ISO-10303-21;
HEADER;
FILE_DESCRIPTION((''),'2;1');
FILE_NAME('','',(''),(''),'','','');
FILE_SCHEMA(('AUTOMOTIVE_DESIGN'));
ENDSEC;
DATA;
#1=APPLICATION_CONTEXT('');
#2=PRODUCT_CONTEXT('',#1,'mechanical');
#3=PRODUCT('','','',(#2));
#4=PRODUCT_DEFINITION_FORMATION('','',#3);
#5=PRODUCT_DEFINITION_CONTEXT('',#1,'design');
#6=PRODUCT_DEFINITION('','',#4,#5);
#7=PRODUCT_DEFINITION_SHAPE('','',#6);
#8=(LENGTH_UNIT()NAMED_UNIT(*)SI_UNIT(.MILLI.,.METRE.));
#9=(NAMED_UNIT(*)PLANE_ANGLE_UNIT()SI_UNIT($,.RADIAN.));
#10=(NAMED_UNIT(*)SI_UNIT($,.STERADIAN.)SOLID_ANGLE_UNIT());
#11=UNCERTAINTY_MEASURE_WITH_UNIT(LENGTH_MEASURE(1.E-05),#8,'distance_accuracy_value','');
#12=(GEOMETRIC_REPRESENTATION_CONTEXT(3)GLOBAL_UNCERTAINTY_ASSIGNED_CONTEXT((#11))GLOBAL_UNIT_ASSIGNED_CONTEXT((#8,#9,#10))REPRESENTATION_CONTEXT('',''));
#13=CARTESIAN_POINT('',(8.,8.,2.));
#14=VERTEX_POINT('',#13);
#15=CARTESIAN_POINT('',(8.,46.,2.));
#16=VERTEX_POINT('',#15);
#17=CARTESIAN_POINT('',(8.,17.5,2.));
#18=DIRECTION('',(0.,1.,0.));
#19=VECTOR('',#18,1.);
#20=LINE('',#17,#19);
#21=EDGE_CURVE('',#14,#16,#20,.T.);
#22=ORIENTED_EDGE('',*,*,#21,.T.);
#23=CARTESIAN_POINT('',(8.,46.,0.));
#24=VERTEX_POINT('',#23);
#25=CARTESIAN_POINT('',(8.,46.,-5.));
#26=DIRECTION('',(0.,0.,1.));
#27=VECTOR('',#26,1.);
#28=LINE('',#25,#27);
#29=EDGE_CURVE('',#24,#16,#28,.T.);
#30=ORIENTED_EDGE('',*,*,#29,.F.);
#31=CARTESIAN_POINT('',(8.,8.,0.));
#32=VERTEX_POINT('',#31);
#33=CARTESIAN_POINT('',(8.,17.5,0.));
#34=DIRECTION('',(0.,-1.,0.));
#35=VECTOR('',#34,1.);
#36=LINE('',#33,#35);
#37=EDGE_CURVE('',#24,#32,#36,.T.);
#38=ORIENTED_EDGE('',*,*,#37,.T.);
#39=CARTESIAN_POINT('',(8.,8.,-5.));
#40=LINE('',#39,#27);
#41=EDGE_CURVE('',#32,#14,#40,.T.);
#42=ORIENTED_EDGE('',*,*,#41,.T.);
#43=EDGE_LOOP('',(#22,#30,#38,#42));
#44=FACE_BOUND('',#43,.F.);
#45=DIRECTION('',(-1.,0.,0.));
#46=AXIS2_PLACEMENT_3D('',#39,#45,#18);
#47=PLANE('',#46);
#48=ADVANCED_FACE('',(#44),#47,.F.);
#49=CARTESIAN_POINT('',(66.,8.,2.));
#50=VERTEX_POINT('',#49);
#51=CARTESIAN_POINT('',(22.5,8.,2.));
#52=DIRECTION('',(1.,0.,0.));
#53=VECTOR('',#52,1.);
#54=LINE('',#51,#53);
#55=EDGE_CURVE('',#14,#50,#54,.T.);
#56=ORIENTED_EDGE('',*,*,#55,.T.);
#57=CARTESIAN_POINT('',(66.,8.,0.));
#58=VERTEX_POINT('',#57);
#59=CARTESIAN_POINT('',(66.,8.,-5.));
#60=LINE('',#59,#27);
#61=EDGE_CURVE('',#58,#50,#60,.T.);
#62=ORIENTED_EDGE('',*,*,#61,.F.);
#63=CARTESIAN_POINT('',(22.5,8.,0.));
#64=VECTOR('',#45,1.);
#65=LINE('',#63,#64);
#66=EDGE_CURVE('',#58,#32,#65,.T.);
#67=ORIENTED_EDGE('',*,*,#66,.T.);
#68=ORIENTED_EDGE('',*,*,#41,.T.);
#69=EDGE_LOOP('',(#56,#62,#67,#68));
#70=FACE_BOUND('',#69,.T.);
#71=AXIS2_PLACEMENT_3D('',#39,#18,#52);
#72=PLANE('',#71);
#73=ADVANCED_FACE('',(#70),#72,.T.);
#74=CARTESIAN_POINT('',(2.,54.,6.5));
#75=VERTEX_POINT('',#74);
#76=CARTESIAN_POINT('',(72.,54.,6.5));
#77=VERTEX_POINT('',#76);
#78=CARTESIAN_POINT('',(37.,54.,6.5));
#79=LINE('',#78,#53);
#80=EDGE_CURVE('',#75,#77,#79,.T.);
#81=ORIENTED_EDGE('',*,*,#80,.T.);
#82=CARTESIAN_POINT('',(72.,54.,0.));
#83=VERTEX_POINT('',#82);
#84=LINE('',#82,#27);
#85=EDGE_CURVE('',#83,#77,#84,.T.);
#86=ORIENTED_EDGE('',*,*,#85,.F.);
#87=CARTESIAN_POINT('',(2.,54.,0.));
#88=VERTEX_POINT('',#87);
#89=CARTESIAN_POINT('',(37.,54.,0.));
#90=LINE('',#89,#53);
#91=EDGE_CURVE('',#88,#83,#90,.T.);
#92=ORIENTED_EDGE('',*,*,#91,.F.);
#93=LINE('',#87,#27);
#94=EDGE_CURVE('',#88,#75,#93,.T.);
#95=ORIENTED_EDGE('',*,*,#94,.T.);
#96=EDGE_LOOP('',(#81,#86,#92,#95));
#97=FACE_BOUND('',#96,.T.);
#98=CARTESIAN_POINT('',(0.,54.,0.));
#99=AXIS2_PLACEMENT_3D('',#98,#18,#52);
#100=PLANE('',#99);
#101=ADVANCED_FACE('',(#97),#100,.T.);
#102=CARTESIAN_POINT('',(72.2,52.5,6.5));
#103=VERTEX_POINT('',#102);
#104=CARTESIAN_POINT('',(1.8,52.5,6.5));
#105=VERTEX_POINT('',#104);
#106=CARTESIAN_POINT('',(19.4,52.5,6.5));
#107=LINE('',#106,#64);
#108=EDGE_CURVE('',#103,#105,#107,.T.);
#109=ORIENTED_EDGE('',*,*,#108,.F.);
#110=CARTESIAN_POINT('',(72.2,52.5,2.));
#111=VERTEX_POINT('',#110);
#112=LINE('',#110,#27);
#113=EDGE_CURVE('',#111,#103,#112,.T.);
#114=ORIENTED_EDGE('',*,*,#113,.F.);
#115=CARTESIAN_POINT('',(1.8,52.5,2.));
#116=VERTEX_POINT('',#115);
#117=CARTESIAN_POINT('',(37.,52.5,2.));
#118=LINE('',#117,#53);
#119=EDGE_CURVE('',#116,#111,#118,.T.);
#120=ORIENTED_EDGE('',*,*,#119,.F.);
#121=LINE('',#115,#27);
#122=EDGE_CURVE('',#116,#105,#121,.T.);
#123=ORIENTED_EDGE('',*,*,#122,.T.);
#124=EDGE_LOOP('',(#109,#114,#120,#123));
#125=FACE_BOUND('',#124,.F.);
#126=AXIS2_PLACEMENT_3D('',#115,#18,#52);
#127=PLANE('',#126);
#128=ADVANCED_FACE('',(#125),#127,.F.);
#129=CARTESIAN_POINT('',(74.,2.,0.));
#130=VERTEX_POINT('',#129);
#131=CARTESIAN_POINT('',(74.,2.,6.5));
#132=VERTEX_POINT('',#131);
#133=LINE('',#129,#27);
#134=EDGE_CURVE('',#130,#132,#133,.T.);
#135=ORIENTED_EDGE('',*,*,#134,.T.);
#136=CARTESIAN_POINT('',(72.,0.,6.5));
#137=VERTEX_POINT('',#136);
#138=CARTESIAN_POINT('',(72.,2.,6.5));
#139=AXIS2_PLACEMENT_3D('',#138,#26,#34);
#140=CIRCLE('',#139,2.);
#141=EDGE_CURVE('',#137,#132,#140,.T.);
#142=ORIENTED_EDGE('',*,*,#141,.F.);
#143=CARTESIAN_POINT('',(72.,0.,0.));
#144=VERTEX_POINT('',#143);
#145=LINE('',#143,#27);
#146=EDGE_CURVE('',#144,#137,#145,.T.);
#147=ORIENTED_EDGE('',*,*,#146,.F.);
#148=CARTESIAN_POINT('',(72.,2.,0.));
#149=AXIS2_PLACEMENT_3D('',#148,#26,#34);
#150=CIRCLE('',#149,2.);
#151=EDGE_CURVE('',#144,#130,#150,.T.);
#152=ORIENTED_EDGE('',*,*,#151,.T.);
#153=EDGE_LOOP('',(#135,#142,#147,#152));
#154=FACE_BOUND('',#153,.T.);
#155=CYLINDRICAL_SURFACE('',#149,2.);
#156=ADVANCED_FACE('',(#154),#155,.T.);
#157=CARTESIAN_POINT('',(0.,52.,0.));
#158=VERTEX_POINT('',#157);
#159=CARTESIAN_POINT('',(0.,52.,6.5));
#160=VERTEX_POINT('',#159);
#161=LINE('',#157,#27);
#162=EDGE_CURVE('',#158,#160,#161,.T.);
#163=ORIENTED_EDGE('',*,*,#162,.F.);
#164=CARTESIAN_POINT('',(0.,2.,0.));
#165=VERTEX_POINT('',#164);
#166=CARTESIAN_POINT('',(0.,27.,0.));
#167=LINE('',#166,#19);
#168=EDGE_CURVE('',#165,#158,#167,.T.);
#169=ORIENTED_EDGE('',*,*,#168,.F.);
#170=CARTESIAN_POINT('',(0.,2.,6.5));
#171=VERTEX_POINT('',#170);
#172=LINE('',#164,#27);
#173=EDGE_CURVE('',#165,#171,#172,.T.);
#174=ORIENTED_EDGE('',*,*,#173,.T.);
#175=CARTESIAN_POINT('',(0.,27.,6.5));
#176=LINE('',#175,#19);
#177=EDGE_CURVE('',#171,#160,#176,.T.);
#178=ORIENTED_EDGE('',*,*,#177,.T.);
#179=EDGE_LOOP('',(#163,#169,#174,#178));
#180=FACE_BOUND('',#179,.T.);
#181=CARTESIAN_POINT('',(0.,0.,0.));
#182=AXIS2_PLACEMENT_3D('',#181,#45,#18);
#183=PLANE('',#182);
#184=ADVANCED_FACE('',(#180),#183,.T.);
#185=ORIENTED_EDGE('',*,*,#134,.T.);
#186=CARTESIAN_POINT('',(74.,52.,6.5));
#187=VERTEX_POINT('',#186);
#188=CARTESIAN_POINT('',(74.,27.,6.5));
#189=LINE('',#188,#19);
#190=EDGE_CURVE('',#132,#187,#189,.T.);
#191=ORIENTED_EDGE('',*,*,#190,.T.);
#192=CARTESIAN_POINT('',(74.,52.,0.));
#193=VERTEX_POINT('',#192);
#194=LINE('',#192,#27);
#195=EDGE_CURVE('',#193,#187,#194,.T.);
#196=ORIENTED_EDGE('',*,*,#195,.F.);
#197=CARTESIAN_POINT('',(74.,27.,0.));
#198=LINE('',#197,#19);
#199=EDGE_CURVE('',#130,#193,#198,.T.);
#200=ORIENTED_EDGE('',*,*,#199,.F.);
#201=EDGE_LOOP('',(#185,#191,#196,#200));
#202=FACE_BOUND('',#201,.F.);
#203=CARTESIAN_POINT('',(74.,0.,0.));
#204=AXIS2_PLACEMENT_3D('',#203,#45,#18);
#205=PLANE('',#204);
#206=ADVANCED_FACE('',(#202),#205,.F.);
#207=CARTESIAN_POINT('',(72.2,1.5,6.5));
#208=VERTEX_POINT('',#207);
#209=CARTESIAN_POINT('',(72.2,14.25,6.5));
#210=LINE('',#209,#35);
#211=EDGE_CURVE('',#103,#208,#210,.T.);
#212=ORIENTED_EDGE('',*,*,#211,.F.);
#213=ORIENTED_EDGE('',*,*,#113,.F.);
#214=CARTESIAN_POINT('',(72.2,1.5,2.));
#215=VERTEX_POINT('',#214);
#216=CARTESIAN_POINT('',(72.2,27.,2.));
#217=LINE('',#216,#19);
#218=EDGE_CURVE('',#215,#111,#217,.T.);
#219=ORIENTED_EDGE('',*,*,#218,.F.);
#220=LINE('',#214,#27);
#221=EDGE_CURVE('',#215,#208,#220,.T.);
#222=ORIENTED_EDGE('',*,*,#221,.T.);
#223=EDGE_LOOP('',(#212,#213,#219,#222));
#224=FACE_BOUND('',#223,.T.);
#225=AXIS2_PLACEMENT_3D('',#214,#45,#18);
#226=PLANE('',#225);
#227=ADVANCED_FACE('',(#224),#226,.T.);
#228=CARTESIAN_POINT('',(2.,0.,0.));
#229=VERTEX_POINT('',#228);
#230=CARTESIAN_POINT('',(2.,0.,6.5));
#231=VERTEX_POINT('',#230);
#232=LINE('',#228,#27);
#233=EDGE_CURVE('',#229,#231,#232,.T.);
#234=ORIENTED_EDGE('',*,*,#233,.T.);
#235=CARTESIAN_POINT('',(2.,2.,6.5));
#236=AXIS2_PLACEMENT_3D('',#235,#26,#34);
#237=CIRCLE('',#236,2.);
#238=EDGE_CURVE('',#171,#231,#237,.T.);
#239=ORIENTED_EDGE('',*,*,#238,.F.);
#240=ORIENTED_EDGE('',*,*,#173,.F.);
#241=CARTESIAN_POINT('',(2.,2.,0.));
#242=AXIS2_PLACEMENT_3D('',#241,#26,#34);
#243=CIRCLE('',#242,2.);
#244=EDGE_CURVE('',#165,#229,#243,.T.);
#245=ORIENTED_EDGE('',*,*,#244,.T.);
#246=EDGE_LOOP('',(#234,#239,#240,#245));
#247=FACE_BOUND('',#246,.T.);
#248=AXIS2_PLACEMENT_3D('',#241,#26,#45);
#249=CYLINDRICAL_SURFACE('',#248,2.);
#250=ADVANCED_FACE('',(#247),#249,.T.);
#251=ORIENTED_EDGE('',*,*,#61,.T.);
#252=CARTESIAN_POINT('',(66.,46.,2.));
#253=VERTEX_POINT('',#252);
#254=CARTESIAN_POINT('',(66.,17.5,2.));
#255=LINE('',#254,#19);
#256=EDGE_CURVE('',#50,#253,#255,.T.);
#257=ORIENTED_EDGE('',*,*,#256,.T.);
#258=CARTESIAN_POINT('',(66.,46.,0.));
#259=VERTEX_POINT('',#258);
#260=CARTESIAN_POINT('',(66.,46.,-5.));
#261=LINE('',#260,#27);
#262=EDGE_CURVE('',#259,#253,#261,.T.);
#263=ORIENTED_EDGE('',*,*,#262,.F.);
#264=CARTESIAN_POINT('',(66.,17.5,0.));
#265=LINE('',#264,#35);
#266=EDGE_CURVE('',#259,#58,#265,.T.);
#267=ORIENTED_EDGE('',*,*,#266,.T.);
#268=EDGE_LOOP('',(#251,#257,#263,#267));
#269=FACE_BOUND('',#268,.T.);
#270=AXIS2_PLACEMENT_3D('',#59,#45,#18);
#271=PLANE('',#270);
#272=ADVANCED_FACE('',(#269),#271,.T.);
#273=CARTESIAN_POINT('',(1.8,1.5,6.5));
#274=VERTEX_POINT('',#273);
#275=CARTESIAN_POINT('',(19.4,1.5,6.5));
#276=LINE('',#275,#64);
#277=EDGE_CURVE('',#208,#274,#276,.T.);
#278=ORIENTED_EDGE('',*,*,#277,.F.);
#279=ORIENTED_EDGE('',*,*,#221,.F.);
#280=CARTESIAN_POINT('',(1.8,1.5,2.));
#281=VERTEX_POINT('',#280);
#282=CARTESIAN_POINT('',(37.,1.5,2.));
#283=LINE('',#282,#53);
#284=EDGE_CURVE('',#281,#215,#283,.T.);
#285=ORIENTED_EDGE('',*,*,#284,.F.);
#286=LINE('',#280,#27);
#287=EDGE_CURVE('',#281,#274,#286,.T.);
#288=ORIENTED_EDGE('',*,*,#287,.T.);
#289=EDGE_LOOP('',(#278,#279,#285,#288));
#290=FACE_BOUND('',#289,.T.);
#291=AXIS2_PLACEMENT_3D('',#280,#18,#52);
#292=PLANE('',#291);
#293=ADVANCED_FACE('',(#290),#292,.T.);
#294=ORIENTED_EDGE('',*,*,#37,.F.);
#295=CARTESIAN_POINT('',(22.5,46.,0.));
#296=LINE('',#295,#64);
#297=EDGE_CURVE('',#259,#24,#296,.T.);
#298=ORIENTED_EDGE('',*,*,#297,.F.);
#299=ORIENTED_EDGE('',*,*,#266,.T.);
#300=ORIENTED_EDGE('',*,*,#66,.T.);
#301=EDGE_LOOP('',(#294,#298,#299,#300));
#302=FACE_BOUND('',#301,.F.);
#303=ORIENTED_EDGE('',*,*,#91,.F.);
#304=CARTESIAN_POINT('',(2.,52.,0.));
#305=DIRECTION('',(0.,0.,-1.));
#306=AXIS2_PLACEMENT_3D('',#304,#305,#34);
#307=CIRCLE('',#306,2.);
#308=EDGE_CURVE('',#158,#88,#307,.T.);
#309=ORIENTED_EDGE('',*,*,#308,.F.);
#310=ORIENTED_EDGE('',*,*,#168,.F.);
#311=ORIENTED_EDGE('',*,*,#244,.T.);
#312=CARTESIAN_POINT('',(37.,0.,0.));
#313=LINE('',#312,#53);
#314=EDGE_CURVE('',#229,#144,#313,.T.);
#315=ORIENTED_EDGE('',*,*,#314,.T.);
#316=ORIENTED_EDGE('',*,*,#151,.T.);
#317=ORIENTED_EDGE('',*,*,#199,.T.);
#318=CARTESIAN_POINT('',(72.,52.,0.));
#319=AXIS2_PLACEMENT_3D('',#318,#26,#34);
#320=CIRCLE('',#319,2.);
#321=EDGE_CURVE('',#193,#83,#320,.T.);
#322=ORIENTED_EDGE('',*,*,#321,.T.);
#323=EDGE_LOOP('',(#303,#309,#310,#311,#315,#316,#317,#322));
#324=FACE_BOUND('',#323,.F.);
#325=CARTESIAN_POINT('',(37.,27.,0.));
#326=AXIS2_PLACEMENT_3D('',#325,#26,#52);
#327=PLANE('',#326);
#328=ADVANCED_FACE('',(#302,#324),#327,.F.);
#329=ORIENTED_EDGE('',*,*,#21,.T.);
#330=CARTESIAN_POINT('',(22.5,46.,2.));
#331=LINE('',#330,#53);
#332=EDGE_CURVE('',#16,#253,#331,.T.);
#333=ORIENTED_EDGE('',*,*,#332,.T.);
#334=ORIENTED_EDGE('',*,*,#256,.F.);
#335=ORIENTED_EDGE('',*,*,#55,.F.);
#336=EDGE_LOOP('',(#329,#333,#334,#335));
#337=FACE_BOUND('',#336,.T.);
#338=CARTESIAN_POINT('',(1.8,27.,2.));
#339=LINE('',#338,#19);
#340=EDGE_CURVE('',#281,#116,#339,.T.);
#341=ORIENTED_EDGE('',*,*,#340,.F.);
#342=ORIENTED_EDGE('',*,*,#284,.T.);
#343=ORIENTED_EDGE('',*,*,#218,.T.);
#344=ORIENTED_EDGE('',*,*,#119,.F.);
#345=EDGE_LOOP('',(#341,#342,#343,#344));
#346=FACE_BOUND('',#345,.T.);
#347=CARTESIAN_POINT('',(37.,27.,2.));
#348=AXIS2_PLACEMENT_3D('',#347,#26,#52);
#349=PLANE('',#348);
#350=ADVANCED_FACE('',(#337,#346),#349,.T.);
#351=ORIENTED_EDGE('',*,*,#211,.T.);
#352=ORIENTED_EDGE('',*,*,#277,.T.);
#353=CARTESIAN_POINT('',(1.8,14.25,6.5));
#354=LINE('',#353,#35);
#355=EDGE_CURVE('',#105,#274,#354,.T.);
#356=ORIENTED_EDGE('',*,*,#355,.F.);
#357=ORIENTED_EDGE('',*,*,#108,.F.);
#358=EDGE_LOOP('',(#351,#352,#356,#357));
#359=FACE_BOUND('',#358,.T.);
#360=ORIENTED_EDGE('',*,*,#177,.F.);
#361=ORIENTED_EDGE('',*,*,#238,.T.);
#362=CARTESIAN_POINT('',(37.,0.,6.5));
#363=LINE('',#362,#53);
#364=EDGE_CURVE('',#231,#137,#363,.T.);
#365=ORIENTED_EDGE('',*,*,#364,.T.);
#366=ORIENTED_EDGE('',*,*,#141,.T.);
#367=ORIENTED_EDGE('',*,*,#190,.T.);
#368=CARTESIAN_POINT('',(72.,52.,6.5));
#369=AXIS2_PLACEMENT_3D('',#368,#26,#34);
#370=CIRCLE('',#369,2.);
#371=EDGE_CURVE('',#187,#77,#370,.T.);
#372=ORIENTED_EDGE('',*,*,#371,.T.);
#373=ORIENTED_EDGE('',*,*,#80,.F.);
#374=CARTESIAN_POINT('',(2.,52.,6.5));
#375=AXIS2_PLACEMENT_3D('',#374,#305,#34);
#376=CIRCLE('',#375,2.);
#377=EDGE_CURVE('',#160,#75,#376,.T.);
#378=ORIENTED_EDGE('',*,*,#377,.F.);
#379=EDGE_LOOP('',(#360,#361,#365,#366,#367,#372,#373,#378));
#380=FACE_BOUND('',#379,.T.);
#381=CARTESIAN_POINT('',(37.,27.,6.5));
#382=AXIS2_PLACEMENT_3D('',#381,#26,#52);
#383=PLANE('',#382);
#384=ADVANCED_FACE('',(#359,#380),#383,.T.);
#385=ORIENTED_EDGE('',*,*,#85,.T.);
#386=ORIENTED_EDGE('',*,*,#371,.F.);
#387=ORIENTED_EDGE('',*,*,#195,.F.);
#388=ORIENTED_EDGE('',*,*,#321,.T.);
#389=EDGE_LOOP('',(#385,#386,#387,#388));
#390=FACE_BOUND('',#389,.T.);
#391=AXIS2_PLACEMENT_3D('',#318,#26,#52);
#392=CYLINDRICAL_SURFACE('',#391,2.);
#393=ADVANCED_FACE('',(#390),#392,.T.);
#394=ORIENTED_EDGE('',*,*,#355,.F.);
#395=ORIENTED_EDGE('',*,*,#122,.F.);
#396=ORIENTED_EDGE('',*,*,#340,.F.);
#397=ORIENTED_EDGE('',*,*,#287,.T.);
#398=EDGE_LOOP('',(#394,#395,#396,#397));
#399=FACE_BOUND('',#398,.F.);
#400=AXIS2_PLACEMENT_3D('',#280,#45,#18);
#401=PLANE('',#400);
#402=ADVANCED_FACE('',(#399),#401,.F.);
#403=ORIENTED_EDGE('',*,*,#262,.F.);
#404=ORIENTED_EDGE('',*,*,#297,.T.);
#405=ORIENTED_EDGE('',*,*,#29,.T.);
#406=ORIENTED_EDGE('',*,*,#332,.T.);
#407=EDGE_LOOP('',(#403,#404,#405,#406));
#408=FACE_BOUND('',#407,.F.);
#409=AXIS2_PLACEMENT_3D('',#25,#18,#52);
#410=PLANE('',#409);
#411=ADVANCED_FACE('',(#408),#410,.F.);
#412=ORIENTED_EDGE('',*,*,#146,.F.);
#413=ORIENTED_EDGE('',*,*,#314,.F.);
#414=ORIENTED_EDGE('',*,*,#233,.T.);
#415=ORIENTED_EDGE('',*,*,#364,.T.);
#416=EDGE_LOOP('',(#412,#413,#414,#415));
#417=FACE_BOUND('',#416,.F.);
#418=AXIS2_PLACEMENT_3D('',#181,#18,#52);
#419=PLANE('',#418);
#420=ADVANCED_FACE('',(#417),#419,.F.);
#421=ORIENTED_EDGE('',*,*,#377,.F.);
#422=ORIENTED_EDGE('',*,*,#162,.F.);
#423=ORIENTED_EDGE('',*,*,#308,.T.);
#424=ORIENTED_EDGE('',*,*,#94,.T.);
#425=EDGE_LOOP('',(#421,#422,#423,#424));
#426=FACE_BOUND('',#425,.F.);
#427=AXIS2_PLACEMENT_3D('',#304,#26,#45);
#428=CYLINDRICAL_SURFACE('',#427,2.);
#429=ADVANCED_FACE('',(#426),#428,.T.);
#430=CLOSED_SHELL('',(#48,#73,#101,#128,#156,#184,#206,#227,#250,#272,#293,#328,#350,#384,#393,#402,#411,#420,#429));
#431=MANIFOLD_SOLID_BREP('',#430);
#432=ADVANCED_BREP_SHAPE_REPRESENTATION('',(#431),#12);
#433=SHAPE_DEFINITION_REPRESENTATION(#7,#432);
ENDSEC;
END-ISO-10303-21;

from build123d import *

# Parameters (mm, degrees)
BOX_W        = 70.4
BOX_H        = 51
BOX_DEPTH    = 6.5
BOX003_W     = 58
BOX003_H     = 38
BOX003_DEPTH = 10
BOX001_W     = 74
BOX001_H     = 54
BOX001_DEPTH = 6.5
FILLET002_R  = 2


with BuildPart() as internal_cube:
    # Box → Box (new body)
    with BuildSketch(Plane(origin=(1.8, 1.5, 2), x_dir=(1, 0, 0), z_dir=(0, 0, 1))):
        with Locations((35.2, 25.5)):
            Rectangle(BOX_W, BOX_H)
    extrude(amount=BOX_DEPTH)


with BuildPart() as extraction_fusion:
    # Box003 → Box003 (new body)
    with BuildSketch(Plane(origin=(8, 8, -5), x_dir=(1, 0, 0), z_dir=(0, 0, 1))):
        with Locations((29, 19)):
            Rectangle(BOX003_W, BOX003_H)
    extrude(amount=BOX003_DEPTH)

    # Fusion: union internal cube
    add(internal_cube.part)


with BuildPart() as main_cube_cut:
    # Box001 → Box001 (new body)
    with BuildSketch(Plane.XY):
        with Locations((37, 27)):
            Rectangle(BOX001_W, BOX001_H)
    extrude(amount=BOX001_DEPTH)

    # Fillet002
    fillet002_edges = [main_cube_cut.edges().sort_by_distance(p)[0] for p in [
        (0, 0, 3.25),
        (0, 54, 3.25),
        (74, 0, 3.25),
        (74, 54, 3.25),
    ]]
    fillet(fillet002_edges, radius=FILLET002_R)

    # Cut: cut extraction fusion
    add(extraction_fusion.part, mode=Mode.SUBTRACT)


solid = main_cube_cut.part
